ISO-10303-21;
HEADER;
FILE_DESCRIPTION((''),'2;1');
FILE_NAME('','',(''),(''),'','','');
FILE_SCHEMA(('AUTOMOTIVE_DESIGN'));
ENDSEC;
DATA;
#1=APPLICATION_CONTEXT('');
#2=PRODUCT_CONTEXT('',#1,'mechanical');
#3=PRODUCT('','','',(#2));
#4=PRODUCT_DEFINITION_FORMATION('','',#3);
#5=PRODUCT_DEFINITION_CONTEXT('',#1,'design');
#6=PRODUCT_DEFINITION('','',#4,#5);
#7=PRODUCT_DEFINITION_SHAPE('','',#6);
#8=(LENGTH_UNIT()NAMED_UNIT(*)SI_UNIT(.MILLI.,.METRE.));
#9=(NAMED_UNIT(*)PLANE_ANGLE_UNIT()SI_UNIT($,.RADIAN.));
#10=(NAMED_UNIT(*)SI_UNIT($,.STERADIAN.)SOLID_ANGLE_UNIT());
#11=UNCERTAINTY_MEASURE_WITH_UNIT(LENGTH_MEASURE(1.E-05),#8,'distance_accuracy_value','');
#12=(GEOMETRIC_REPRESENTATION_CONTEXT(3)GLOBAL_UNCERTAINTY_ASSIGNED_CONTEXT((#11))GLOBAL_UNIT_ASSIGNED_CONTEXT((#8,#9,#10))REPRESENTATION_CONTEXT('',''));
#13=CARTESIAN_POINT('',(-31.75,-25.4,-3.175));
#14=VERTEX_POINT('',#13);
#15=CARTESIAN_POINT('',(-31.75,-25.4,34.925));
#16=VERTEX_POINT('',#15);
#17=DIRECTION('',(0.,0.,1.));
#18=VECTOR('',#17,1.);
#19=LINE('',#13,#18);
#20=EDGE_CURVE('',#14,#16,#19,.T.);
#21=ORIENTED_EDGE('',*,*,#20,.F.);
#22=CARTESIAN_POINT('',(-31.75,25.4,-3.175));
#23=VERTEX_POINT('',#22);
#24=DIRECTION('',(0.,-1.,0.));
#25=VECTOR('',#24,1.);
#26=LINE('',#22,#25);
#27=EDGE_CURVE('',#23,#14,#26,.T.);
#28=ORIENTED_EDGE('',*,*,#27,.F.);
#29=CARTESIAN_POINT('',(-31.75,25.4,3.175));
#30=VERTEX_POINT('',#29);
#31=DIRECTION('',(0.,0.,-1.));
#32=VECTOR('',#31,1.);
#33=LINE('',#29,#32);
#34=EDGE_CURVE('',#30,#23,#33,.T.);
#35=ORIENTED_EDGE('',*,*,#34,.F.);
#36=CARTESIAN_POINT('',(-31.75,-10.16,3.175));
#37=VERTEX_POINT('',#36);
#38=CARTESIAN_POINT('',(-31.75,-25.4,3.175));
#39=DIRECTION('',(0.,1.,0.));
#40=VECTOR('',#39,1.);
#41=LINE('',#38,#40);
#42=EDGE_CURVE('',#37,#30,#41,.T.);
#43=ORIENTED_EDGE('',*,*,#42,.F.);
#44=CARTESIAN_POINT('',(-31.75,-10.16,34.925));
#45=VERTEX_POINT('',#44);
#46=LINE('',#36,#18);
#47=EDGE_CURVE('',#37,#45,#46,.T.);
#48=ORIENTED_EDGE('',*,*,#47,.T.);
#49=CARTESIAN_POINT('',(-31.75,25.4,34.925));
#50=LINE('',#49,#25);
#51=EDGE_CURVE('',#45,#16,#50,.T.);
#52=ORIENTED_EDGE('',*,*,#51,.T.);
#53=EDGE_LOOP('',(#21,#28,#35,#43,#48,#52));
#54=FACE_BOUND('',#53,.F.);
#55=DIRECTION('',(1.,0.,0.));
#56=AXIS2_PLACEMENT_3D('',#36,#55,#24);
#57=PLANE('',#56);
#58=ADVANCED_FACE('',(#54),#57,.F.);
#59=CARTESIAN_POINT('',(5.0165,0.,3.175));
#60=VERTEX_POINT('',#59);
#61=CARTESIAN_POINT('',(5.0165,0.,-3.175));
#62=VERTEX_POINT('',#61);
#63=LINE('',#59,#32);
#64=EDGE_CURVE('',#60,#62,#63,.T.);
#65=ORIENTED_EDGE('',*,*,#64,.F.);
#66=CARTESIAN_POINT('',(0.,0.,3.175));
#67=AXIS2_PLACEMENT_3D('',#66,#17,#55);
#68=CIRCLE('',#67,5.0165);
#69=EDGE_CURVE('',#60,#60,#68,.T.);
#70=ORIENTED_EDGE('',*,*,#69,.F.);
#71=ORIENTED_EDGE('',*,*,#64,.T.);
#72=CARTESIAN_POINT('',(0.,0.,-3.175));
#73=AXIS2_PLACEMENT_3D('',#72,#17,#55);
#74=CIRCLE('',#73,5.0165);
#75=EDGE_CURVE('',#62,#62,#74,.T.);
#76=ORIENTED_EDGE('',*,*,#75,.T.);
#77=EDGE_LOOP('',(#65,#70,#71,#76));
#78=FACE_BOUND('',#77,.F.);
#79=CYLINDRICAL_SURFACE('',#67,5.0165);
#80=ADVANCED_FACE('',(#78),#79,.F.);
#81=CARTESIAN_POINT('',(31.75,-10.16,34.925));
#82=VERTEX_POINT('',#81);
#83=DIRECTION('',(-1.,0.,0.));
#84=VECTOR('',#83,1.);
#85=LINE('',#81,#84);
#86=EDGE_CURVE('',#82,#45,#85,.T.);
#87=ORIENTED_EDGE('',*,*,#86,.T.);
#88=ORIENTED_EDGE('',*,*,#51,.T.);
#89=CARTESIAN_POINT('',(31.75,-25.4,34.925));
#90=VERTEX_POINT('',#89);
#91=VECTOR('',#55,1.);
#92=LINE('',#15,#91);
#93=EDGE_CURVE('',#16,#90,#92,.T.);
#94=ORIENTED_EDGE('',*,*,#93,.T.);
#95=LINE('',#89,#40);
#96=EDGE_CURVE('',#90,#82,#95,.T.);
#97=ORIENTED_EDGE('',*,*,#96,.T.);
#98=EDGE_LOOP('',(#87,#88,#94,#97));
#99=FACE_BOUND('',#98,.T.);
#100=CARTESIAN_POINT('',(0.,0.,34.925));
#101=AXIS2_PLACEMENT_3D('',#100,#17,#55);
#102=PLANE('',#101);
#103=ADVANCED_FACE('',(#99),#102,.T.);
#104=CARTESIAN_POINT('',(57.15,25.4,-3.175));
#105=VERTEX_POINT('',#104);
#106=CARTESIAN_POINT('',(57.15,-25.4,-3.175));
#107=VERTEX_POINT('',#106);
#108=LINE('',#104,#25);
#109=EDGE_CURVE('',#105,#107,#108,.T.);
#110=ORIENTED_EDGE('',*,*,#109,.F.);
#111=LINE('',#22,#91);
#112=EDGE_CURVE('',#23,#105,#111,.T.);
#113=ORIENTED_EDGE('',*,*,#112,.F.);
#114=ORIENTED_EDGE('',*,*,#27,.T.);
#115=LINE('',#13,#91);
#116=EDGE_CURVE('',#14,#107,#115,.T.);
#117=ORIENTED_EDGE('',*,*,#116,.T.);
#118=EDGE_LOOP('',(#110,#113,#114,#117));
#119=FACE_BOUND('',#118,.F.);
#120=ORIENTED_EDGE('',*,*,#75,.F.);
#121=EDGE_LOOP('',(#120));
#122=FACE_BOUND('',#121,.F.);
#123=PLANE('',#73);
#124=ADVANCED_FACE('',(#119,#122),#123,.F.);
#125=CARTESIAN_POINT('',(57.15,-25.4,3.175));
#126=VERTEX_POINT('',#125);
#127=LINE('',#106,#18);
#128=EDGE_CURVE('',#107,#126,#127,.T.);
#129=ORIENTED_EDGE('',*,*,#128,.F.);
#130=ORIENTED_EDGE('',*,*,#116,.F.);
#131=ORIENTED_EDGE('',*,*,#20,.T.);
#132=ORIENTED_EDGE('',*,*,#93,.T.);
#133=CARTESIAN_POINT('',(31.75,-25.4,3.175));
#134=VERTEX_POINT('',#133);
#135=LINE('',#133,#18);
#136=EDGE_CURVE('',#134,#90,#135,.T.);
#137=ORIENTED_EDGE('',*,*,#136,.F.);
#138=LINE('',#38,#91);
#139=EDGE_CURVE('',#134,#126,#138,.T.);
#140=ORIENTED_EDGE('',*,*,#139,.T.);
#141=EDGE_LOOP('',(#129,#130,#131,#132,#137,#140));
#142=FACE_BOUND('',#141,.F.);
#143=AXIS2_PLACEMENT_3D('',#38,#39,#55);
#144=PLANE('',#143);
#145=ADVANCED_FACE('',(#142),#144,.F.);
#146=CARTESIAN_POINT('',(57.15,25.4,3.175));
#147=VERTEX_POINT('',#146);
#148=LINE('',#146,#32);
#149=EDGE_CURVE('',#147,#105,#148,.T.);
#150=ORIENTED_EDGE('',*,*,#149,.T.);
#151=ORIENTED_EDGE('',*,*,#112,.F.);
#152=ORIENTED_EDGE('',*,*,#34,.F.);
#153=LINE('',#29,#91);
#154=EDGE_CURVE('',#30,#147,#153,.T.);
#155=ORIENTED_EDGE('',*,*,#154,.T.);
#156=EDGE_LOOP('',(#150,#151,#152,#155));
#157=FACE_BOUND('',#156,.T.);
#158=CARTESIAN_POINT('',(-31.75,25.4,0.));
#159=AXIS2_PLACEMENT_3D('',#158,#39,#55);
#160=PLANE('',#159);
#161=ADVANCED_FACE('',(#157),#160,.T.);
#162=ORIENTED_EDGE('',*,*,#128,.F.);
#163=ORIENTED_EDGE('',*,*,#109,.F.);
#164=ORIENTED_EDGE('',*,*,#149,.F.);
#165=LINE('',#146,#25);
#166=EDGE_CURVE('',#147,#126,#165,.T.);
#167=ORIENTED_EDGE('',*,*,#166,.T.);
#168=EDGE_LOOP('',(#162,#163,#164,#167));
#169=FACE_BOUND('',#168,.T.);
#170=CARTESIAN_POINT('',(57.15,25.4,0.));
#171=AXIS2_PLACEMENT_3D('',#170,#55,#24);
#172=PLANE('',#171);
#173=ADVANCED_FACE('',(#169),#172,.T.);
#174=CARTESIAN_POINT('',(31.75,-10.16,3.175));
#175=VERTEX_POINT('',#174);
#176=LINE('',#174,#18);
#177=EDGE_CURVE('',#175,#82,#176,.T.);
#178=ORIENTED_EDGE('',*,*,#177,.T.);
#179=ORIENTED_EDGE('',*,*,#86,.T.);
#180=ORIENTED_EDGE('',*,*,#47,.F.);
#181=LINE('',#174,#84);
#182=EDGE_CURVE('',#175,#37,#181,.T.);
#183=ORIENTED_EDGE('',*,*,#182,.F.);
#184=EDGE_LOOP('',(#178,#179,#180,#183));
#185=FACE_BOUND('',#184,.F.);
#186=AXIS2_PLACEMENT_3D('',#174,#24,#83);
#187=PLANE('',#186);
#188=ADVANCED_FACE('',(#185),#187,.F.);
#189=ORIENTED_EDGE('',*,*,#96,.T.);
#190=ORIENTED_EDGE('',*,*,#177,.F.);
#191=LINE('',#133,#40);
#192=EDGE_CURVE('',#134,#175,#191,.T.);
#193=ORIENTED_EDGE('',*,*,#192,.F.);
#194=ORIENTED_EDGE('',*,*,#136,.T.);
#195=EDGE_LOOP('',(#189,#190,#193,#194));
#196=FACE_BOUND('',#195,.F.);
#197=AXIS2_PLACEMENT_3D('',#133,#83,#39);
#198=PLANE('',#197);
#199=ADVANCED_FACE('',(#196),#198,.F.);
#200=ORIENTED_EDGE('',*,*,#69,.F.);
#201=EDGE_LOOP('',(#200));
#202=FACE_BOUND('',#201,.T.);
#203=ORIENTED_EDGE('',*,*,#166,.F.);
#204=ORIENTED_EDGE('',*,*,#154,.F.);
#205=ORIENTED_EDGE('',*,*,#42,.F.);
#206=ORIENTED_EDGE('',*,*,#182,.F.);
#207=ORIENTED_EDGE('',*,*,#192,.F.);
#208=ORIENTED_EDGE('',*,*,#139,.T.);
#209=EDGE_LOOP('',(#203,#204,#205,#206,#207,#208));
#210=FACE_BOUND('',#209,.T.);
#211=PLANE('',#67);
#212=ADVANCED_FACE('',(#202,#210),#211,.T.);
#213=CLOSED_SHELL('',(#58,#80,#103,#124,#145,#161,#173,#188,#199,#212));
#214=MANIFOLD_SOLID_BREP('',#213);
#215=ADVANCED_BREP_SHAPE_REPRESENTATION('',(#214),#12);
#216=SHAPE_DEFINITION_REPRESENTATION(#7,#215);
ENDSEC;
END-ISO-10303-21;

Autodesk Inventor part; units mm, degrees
ref_plane "YZ Plane" through (0, 0, 0) normal (1, 0, 0) x (0, 1, 0)
ref_plane "XZ Plane" through (0, 0, 0) normal (0, 1, 0) x (-1, 0, 0)
ref_plane "XY Plane" through (0, 0, 0) normal (0, 0, 1) x (1, 0, 0)
sketch "Sketch2" plane through (0, 0, 0) normal (0, 0, 1) x (1, 0, 0)
  line L0 (0, 0) -> (-31.75, 0) construction
  line L1 (-31.75, 0) -> (-31.75, -25.4)
  line L2 (-31.75, 0) -> (-31.75, 25.4)
  line L3 (-31.75, 25.4) -> (57.15, 25.4)
  line L4 (0, 0) -> (0, -25.4) construction
  line L5 (0, 0) -> (57.15, 0) construction
  line L6 (-31.75, -25.4) -> (57.15, -25.4)
  line L7 (57.15, 25.4) -> (57.15, -25.4)
  dimension "edgeToCenterOfPiston" = 31.75
  dimension "heiight" = 50.8
  dimension "width" = 88.9
  dimension "d7" = 88.9
  dimension "d8" = 88.9
extrude "Extrusion1" add sketch "Sketch2" along normal mid plane 6.35
sketch "Sketch3" plane through (0, 0, 3.175) normal (0, 0, 1) x (1, 0, 0)
  circle A0 centre (0, 0) radius 5.0165
  dimension "d11" = 10.033
extrude "Extrusion2" cut sketch "Sketch3" against normal through all
sketch "Sketch4" plane through (0, 0, 3.175) normal (0, 0, 1) x (1, 0, 0)
  line L0 (-31.75, 25.4) -> (-31.75, -25.4) projected
  line L1 (-31.75, -25.4) -> (31.75, -25.4)
  line L2 (31.75, -25.4) -> (31.75, -10.16)
  line L3 (31.75, -10.16) -> (-31.75, -10.16)
  line L4 (-31.75, -10.16) -> (-31.75, -25.4)
  point P0 (0, 0)
  dimension "d14" = 63.5
  dimension "d15" = 15.24
extrude "Extrusion3" add sketch "Sketch4" along normal blind 31.75
equation "\"d7\" = width"
equation "\"d8\" = width"
properties part number "Gripper Piston" material "Aluminum 6061"
